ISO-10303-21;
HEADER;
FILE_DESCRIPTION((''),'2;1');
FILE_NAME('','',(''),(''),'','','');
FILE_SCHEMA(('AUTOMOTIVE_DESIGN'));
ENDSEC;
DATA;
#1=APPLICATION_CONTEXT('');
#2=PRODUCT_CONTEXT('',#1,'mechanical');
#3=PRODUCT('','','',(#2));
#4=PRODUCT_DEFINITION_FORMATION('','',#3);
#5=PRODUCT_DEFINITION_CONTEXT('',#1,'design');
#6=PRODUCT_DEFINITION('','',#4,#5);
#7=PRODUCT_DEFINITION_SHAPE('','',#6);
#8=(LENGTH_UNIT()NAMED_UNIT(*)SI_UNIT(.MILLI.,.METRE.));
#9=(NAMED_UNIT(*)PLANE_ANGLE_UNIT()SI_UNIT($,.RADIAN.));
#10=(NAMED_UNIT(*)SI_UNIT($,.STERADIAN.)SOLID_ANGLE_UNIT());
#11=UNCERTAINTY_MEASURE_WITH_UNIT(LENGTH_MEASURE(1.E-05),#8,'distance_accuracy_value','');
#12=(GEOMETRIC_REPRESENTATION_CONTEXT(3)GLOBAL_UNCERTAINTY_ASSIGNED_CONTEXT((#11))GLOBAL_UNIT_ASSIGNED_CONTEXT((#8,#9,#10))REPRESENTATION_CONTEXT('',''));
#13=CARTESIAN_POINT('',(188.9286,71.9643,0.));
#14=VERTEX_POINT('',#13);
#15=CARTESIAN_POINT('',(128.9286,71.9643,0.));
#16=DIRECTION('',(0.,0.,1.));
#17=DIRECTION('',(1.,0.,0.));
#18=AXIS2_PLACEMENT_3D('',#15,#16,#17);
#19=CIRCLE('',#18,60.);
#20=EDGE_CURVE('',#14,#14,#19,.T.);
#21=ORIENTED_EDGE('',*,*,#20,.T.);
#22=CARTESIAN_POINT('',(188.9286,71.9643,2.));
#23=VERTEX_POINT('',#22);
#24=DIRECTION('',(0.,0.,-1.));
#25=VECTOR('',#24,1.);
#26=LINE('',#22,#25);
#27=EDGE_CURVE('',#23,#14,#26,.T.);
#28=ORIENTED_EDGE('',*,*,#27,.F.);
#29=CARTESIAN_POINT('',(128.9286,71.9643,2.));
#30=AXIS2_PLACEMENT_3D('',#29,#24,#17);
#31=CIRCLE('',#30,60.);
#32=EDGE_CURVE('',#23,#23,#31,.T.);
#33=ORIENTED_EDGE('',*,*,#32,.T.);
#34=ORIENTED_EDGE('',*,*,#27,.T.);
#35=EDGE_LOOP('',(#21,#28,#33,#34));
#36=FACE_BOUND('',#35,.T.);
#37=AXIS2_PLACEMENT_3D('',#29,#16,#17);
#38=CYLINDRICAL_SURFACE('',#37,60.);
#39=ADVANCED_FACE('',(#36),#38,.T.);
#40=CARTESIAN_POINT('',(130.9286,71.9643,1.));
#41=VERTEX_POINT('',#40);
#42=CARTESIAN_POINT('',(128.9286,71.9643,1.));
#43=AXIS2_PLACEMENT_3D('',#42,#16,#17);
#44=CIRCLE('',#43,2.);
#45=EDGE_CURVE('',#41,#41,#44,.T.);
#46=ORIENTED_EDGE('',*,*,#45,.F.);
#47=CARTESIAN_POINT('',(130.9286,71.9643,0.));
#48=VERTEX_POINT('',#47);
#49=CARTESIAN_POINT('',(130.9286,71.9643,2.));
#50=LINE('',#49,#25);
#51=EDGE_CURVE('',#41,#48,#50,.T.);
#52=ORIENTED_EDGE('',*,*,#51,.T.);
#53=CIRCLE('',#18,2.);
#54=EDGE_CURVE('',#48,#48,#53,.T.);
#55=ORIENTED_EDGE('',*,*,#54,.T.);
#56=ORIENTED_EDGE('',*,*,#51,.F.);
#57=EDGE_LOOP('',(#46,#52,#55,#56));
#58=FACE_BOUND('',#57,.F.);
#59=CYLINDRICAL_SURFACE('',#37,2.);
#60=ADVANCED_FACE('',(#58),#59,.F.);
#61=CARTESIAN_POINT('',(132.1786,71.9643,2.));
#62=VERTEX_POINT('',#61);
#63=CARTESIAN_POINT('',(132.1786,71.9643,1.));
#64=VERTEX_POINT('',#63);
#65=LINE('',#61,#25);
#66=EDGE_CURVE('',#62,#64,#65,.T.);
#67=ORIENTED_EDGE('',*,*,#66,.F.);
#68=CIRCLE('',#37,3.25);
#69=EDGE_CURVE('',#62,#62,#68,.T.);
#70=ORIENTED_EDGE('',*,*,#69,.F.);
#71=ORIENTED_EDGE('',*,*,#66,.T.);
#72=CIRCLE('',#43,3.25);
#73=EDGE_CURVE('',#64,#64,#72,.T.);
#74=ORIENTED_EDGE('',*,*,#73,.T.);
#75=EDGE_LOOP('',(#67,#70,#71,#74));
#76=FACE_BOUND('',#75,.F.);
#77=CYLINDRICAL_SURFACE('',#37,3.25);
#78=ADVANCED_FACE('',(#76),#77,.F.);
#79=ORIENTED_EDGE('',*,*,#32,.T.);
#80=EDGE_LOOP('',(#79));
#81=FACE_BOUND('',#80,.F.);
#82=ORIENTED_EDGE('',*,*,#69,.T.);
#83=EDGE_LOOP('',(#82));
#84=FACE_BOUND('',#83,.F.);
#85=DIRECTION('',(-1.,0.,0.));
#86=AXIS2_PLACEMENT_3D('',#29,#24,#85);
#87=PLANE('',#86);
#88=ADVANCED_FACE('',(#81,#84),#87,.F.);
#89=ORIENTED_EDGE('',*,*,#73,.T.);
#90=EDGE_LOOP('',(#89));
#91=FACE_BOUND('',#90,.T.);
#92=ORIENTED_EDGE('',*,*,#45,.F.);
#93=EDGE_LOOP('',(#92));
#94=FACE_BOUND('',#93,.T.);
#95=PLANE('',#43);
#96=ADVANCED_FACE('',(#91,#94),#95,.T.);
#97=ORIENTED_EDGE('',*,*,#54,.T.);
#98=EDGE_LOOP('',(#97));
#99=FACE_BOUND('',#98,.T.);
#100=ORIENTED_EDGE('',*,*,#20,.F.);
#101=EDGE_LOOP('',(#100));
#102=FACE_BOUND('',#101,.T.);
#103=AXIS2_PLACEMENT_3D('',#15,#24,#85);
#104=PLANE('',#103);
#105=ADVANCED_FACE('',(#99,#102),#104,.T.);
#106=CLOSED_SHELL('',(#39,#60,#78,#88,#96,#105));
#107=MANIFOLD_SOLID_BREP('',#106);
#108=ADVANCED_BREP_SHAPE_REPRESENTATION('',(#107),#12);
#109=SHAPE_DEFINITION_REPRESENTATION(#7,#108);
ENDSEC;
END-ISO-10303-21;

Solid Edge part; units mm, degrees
sketch "Sketch1" plane through (0, 0, 0) normal (0, 0, 1) x (1, 0, 0)
  line L0 (68.9286, 131.9643) -> (188.9286, 131.9643)
  line L1 (188.9286, 131.9643) -> (188.9286, 11.9643)
  line L2 (188.9286, 11.9643) -> (68.9286, 11.9643)
  line L3 (68.9286, 11.9643) -> (68.9286, 131.9643)
  dimension "D1" = 120
  dimension "D2" = 120
  dimension "D3" = 120
extrude "Protrusion1" add sketch "Sketch1" along normal blind 2
sketch "Sketch2" plane through (128.9286, 71.9643, 2) normal (0, 0, 1) x (1, 0, 0)
  circle A0 centre (0, 0) radius 2
  dimension "D1" = 60
  dimension "D2" = 60
  dimension "D3" = 60
extrude "Cutout1" cut sketch "Sketch2" against normal through all
sketch "Sketch3" plane through (128.9286, 71.9643, 2) normal (0, 0, 1) x (1, 0, 0)
  circle A0 centre (0, 0) radius 3.25
extrude "ExtrudedCutout_3" cut sketch "Sketch3" against normal blind 1
sketch "Sketch4" plane through (128.9286, 71.9643, 2) normal (0, 0, 1) x (1, 0, 0)
  circle A0 centre (0, 0) radius 60
  circle A1 centre (0, 0) radius 90
extrude "Cutout2" cut sketch "Sketch4" against normal through all
